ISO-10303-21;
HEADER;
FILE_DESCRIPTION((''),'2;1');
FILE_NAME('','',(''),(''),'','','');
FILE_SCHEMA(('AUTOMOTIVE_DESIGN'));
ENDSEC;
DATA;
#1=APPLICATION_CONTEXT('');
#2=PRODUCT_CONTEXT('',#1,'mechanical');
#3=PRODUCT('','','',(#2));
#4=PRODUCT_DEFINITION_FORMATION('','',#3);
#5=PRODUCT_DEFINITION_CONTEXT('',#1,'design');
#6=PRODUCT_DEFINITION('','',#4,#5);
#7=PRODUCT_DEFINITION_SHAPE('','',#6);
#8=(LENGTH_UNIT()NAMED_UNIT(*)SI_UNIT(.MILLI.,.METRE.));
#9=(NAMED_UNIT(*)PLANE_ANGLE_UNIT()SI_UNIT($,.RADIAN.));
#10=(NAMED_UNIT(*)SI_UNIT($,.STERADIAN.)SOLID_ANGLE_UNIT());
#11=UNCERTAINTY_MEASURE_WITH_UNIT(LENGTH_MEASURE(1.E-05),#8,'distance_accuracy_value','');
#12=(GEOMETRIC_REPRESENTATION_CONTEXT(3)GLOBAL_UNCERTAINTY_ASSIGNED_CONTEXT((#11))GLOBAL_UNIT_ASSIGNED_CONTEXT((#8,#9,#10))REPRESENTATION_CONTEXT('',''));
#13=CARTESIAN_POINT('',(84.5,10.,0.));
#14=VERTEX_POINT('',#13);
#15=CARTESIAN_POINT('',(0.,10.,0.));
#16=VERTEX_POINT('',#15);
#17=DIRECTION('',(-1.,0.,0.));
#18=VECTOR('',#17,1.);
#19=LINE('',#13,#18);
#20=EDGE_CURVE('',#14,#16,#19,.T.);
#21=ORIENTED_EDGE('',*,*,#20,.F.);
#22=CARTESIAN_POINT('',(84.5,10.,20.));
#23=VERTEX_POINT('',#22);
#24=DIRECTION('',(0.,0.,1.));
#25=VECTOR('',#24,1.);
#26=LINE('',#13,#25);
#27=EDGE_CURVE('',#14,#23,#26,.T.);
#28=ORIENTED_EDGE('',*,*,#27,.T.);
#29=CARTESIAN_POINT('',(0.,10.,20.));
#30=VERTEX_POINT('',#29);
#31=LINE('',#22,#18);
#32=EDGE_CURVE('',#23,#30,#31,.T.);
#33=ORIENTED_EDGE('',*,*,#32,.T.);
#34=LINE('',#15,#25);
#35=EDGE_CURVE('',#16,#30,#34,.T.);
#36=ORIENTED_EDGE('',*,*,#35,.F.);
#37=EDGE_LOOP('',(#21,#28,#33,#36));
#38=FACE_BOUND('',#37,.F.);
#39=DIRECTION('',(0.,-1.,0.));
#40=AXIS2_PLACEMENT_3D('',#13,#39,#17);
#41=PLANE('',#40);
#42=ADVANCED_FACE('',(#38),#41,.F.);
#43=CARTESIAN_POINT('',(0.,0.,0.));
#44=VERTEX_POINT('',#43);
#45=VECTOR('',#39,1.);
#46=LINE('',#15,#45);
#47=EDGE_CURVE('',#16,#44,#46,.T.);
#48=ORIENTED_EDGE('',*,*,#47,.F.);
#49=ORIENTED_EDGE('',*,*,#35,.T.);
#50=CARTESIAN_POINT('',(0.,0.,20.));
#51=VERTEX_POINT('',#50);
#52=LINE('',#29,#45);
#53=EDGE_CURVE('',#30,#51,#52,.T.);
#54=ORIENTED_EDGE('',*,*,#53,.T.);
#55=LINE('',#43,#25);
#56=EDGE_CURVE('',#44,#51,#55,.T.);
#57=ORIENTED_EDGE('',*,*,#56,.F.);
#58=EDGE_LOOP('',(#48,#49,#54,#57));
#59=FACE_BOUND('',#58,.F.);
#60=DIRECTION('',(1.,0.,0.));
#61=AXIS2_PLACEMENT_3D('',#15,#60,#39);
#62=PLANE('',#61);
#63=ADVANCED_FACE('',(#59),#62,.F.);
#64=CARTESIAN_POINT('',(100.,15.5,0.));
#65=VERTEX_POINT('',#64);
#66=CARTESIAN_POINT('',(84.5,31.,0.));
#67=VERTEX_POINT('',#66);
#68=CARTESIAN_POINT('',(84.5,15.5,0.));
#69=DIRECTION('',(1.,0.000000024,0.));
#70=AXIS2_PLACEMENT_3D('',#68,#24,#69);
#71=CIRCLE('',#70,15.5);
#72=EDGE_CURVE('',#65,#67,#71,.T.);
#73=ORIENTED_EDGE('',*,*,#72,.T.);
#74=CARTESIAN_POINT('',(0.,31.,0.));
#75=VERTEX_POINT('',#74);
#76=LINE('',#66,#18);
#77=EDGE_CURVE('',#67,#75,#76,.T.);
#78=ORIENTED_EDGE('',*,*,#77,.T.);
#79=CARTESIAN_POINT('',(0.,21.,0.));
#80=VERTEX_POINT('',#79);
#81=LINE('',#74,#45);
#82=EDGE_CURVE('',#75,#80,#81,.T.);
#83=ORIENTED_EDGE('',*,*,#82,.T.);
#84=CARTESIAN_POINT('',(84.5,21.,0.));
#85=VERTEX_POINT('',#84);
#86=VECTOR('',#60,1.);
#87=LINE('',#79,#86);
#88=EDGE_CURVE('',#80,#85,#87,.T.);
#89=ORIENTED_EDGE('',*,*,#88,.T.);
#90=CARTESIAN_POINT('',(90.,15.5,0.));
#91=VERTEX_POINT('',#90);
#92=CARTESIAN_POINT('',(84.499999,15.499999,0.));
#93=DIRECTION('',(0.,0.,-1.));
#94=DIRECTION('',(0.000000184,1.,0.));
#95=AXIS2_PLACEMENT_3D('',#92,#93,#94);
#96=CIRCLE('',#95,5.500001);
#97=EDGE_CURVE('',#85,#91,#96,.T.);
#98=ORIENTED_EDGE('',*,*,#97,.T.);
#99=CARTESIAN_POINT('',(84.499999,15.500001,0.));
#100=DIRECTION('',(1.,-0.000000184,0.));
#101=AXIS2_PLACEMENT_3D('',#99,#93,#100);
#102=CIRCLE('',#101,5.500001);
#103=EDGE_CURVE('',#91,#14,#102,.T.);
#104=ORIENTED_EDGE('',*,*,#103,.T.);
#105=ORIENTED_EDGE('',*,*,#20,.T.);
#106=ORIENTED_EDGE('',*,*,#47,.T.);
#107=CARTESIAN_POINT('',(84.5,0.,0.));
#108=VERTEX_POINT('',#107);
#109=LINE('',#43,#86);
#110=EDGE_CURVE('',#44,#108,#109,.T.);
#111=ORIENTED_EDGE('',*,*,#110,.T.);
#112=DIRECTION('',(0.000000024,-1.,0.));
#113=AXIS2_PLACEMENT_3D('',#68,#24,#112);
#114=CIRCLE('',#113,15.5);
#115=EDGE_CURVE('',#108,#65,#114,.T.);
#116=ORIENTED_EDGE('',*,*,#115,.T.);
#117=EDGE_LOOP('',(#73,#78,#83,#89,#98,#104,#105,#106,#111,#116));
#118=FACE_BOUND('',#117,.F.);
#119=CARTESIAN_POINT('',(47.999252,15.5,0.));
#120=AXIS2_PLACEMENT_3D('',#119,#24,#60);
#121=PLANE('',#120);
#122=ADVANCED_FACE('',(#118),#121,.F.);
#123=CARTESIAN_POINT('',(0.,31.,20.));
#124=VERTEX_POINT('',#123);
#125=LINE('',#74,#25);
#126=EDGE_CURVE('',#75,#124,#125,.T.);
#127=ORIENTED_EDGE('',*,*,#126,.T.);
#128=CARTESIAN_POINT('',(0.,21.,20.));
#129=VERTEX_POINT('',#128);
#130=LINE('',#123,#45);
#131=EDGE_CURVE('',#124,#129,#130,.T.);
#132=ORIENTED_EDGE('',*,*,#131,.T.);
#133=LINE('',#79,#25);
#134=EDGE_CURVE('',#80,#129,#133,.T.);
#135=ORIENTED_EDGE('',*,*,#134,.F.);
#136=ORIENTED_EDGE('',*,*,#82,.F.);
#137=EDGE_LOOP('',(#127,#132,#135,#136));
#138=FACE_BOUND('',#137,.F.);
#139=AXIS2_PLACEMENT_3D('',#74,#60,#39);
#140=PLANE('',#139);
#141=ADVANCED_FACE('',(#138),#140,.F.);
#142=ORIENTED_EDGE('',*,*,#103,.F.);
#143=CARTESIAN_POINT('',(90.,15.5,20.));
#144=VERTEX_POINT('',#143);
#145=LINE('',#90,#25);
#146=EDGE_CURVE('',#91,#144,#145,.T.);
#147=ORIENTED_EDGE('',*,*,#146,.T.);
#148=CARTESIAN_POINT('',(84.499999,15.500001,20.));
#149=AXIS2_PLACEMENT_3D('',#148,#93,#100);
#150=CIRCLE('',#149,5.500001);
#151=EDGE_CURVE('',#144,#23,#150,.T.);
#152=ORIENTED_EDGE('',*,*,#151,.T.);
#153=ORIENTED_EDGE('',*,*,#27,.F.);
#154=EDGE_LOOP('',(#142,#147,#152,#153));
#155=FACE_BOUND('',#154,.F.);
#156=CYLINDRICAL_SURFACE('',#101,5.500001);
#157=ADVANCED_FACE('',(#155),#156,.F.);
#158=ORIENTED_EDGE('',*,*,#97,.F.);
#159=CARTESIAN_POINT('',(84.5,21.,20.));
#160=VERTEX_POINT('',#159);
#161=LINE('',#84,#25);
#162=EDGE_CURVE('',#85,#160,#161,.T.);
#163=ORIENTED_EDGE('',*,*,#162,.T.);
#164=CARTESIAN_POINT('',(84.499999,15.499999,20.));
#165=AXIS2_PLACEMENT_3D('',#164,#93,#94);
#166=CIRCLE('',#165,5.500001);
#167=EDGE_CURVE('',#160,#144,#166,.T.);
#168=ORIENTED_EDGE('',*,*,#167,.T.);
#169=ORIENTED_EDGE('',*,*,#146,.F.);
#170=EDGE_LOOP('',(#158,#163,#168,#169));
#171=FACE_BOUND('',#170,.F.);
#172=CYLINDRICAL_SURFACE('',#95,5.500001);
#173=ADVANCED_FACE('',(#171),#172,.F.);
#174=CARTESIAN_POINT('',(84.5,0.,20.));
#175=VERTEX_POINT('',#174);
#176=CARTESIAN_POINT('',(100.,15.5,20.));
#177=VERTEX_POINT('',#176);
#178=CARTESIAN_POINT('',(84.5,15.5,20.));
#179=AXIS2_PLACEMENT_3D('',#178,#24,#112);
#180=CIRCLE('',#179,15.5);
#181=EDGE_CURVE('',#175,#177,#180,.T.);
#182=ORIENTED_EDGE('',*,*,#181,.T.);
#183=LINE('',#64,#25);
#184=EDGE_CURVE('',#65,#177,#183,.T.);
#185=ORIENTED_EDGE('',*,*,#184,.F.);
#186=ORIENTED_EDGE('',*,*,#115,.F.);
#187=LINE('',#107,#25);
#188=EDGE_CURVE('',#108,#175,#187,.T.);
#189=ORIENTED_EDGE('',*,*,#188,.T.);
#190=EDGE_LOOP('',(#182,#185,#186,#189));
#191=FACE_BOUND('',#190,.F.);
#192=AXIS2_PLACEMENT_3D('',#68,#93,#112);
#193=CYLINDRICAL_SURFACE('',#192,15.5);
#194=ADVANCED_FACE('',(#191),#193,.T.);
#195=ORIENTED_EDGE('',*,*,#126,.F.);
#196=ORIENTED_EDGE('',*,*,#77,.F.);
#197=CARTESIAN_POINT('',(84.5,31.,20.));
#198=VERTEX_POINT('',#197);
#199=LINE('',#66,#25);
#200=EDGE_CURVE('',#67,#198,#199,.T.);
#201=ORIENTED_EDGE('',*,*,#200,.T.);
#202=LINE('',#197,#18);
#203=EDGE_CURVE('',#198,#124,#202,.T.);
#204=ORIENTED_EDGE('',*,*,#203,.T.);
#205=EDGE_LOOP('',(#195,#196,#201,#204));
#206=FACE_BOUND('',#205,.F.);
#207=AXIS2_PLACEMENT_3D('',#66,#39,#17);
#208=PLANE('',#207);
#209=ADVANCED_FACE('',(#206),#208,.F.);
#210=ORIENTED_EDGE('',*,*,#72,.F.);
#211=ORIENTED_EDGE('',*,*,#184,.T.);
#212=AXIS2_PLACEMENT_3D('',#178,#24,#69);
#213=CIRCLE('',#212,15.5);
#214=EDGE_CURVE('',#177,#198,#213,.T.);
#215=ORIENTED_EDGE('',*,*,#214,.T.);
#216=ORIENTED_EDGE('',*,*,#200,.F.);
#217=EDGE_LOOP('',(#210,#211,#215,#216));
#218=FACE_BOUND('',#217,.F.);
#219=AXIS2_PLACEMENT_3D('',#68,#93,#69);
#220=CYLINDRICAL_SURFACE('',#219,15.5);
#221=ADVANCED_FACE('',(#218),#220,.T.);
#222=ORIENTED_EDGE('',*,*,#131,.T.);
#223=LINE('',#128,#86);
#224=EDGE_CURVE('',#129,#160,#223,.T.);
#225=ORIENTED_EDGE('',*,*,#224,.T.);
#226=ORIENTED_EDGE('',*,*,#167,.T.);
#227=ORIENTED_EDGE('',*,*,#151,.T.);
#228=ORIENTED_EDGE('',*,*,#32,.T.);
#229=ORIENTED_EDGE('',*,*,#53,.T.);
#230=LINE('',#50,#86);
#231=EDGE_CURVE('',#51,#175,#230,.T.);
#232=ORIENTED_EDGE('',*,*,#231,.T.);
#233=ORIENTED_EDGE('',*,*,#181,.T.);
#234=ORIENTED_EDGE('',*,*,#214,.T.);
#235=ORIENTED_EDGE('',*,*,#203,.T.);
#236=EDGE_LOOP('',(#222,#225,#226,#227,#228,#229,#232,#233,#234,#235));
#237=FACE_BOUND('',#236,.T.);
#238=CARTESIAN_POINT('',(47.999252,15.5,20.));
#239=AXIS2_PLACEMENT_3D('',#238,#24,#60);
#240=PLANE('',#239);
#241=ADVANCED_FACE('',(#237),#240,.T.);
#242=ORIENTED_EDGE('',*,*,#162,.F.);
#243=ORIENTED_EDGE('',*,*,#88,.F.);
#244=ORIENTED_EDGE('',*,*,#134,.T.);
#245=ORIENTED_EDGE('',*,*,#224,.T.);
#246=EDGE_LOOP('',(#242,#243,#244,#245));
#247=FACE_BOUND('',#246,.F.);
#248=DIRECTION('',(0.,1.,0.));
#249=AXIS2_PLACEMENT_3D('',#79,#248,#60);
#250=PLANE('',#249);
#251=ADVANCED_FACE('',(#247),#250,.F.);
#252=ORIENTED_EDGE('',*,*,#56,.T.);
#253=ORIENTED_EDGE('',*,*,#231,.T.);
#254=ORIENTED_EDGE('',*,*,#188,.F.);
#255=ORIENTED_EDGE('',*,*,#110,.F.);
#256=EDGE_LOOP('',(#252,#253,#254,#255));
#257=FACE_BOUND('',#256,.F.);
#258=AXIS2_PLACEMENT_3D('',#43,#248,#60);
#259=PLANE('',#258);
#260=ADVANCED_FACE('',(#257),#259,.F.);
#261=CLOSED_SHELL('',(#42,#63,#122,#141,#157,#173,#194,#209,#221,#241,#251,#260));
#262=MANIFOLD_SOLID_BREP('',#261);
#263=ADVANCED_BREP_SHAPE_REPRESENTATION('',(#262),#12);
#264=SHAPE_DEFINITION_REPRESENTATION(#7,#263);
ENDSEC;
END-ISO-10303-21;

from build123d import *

# Parameters (mm, degrees)
F1_DEPTH = 20


with BuildPart() as f1:
    # F0 (on Top) → F1 (new body)
    with BuildSketch(Plane.XY):
        with BuildLine():
            Line((0, 10), (0, 0))
            Line((0, 0), (84.5, 0))
            ThreePointArc((84.5, 0), (95.460155, 4.539845), (100, 15.5))
            ThreePointArc((100, 15.5), (95.460155, 26.460155), (84.5, 31))
            Line((84.5, 31), (0, 31))
            Line((0, 31), (0, 21))
            Line((0, 21), (84.5, 21))
            ThreePointArc((84.5, 21), (88.389087, 19.389087), (90, 15.5))
            ThreePointArc((90, 15.5), (88.389087, 11.610913), (84.5, 10))
            Line((84.5, 10), (0, 10))
        make_face()
    extrude(amount=F1_DEPTH)


solid = f1.part
